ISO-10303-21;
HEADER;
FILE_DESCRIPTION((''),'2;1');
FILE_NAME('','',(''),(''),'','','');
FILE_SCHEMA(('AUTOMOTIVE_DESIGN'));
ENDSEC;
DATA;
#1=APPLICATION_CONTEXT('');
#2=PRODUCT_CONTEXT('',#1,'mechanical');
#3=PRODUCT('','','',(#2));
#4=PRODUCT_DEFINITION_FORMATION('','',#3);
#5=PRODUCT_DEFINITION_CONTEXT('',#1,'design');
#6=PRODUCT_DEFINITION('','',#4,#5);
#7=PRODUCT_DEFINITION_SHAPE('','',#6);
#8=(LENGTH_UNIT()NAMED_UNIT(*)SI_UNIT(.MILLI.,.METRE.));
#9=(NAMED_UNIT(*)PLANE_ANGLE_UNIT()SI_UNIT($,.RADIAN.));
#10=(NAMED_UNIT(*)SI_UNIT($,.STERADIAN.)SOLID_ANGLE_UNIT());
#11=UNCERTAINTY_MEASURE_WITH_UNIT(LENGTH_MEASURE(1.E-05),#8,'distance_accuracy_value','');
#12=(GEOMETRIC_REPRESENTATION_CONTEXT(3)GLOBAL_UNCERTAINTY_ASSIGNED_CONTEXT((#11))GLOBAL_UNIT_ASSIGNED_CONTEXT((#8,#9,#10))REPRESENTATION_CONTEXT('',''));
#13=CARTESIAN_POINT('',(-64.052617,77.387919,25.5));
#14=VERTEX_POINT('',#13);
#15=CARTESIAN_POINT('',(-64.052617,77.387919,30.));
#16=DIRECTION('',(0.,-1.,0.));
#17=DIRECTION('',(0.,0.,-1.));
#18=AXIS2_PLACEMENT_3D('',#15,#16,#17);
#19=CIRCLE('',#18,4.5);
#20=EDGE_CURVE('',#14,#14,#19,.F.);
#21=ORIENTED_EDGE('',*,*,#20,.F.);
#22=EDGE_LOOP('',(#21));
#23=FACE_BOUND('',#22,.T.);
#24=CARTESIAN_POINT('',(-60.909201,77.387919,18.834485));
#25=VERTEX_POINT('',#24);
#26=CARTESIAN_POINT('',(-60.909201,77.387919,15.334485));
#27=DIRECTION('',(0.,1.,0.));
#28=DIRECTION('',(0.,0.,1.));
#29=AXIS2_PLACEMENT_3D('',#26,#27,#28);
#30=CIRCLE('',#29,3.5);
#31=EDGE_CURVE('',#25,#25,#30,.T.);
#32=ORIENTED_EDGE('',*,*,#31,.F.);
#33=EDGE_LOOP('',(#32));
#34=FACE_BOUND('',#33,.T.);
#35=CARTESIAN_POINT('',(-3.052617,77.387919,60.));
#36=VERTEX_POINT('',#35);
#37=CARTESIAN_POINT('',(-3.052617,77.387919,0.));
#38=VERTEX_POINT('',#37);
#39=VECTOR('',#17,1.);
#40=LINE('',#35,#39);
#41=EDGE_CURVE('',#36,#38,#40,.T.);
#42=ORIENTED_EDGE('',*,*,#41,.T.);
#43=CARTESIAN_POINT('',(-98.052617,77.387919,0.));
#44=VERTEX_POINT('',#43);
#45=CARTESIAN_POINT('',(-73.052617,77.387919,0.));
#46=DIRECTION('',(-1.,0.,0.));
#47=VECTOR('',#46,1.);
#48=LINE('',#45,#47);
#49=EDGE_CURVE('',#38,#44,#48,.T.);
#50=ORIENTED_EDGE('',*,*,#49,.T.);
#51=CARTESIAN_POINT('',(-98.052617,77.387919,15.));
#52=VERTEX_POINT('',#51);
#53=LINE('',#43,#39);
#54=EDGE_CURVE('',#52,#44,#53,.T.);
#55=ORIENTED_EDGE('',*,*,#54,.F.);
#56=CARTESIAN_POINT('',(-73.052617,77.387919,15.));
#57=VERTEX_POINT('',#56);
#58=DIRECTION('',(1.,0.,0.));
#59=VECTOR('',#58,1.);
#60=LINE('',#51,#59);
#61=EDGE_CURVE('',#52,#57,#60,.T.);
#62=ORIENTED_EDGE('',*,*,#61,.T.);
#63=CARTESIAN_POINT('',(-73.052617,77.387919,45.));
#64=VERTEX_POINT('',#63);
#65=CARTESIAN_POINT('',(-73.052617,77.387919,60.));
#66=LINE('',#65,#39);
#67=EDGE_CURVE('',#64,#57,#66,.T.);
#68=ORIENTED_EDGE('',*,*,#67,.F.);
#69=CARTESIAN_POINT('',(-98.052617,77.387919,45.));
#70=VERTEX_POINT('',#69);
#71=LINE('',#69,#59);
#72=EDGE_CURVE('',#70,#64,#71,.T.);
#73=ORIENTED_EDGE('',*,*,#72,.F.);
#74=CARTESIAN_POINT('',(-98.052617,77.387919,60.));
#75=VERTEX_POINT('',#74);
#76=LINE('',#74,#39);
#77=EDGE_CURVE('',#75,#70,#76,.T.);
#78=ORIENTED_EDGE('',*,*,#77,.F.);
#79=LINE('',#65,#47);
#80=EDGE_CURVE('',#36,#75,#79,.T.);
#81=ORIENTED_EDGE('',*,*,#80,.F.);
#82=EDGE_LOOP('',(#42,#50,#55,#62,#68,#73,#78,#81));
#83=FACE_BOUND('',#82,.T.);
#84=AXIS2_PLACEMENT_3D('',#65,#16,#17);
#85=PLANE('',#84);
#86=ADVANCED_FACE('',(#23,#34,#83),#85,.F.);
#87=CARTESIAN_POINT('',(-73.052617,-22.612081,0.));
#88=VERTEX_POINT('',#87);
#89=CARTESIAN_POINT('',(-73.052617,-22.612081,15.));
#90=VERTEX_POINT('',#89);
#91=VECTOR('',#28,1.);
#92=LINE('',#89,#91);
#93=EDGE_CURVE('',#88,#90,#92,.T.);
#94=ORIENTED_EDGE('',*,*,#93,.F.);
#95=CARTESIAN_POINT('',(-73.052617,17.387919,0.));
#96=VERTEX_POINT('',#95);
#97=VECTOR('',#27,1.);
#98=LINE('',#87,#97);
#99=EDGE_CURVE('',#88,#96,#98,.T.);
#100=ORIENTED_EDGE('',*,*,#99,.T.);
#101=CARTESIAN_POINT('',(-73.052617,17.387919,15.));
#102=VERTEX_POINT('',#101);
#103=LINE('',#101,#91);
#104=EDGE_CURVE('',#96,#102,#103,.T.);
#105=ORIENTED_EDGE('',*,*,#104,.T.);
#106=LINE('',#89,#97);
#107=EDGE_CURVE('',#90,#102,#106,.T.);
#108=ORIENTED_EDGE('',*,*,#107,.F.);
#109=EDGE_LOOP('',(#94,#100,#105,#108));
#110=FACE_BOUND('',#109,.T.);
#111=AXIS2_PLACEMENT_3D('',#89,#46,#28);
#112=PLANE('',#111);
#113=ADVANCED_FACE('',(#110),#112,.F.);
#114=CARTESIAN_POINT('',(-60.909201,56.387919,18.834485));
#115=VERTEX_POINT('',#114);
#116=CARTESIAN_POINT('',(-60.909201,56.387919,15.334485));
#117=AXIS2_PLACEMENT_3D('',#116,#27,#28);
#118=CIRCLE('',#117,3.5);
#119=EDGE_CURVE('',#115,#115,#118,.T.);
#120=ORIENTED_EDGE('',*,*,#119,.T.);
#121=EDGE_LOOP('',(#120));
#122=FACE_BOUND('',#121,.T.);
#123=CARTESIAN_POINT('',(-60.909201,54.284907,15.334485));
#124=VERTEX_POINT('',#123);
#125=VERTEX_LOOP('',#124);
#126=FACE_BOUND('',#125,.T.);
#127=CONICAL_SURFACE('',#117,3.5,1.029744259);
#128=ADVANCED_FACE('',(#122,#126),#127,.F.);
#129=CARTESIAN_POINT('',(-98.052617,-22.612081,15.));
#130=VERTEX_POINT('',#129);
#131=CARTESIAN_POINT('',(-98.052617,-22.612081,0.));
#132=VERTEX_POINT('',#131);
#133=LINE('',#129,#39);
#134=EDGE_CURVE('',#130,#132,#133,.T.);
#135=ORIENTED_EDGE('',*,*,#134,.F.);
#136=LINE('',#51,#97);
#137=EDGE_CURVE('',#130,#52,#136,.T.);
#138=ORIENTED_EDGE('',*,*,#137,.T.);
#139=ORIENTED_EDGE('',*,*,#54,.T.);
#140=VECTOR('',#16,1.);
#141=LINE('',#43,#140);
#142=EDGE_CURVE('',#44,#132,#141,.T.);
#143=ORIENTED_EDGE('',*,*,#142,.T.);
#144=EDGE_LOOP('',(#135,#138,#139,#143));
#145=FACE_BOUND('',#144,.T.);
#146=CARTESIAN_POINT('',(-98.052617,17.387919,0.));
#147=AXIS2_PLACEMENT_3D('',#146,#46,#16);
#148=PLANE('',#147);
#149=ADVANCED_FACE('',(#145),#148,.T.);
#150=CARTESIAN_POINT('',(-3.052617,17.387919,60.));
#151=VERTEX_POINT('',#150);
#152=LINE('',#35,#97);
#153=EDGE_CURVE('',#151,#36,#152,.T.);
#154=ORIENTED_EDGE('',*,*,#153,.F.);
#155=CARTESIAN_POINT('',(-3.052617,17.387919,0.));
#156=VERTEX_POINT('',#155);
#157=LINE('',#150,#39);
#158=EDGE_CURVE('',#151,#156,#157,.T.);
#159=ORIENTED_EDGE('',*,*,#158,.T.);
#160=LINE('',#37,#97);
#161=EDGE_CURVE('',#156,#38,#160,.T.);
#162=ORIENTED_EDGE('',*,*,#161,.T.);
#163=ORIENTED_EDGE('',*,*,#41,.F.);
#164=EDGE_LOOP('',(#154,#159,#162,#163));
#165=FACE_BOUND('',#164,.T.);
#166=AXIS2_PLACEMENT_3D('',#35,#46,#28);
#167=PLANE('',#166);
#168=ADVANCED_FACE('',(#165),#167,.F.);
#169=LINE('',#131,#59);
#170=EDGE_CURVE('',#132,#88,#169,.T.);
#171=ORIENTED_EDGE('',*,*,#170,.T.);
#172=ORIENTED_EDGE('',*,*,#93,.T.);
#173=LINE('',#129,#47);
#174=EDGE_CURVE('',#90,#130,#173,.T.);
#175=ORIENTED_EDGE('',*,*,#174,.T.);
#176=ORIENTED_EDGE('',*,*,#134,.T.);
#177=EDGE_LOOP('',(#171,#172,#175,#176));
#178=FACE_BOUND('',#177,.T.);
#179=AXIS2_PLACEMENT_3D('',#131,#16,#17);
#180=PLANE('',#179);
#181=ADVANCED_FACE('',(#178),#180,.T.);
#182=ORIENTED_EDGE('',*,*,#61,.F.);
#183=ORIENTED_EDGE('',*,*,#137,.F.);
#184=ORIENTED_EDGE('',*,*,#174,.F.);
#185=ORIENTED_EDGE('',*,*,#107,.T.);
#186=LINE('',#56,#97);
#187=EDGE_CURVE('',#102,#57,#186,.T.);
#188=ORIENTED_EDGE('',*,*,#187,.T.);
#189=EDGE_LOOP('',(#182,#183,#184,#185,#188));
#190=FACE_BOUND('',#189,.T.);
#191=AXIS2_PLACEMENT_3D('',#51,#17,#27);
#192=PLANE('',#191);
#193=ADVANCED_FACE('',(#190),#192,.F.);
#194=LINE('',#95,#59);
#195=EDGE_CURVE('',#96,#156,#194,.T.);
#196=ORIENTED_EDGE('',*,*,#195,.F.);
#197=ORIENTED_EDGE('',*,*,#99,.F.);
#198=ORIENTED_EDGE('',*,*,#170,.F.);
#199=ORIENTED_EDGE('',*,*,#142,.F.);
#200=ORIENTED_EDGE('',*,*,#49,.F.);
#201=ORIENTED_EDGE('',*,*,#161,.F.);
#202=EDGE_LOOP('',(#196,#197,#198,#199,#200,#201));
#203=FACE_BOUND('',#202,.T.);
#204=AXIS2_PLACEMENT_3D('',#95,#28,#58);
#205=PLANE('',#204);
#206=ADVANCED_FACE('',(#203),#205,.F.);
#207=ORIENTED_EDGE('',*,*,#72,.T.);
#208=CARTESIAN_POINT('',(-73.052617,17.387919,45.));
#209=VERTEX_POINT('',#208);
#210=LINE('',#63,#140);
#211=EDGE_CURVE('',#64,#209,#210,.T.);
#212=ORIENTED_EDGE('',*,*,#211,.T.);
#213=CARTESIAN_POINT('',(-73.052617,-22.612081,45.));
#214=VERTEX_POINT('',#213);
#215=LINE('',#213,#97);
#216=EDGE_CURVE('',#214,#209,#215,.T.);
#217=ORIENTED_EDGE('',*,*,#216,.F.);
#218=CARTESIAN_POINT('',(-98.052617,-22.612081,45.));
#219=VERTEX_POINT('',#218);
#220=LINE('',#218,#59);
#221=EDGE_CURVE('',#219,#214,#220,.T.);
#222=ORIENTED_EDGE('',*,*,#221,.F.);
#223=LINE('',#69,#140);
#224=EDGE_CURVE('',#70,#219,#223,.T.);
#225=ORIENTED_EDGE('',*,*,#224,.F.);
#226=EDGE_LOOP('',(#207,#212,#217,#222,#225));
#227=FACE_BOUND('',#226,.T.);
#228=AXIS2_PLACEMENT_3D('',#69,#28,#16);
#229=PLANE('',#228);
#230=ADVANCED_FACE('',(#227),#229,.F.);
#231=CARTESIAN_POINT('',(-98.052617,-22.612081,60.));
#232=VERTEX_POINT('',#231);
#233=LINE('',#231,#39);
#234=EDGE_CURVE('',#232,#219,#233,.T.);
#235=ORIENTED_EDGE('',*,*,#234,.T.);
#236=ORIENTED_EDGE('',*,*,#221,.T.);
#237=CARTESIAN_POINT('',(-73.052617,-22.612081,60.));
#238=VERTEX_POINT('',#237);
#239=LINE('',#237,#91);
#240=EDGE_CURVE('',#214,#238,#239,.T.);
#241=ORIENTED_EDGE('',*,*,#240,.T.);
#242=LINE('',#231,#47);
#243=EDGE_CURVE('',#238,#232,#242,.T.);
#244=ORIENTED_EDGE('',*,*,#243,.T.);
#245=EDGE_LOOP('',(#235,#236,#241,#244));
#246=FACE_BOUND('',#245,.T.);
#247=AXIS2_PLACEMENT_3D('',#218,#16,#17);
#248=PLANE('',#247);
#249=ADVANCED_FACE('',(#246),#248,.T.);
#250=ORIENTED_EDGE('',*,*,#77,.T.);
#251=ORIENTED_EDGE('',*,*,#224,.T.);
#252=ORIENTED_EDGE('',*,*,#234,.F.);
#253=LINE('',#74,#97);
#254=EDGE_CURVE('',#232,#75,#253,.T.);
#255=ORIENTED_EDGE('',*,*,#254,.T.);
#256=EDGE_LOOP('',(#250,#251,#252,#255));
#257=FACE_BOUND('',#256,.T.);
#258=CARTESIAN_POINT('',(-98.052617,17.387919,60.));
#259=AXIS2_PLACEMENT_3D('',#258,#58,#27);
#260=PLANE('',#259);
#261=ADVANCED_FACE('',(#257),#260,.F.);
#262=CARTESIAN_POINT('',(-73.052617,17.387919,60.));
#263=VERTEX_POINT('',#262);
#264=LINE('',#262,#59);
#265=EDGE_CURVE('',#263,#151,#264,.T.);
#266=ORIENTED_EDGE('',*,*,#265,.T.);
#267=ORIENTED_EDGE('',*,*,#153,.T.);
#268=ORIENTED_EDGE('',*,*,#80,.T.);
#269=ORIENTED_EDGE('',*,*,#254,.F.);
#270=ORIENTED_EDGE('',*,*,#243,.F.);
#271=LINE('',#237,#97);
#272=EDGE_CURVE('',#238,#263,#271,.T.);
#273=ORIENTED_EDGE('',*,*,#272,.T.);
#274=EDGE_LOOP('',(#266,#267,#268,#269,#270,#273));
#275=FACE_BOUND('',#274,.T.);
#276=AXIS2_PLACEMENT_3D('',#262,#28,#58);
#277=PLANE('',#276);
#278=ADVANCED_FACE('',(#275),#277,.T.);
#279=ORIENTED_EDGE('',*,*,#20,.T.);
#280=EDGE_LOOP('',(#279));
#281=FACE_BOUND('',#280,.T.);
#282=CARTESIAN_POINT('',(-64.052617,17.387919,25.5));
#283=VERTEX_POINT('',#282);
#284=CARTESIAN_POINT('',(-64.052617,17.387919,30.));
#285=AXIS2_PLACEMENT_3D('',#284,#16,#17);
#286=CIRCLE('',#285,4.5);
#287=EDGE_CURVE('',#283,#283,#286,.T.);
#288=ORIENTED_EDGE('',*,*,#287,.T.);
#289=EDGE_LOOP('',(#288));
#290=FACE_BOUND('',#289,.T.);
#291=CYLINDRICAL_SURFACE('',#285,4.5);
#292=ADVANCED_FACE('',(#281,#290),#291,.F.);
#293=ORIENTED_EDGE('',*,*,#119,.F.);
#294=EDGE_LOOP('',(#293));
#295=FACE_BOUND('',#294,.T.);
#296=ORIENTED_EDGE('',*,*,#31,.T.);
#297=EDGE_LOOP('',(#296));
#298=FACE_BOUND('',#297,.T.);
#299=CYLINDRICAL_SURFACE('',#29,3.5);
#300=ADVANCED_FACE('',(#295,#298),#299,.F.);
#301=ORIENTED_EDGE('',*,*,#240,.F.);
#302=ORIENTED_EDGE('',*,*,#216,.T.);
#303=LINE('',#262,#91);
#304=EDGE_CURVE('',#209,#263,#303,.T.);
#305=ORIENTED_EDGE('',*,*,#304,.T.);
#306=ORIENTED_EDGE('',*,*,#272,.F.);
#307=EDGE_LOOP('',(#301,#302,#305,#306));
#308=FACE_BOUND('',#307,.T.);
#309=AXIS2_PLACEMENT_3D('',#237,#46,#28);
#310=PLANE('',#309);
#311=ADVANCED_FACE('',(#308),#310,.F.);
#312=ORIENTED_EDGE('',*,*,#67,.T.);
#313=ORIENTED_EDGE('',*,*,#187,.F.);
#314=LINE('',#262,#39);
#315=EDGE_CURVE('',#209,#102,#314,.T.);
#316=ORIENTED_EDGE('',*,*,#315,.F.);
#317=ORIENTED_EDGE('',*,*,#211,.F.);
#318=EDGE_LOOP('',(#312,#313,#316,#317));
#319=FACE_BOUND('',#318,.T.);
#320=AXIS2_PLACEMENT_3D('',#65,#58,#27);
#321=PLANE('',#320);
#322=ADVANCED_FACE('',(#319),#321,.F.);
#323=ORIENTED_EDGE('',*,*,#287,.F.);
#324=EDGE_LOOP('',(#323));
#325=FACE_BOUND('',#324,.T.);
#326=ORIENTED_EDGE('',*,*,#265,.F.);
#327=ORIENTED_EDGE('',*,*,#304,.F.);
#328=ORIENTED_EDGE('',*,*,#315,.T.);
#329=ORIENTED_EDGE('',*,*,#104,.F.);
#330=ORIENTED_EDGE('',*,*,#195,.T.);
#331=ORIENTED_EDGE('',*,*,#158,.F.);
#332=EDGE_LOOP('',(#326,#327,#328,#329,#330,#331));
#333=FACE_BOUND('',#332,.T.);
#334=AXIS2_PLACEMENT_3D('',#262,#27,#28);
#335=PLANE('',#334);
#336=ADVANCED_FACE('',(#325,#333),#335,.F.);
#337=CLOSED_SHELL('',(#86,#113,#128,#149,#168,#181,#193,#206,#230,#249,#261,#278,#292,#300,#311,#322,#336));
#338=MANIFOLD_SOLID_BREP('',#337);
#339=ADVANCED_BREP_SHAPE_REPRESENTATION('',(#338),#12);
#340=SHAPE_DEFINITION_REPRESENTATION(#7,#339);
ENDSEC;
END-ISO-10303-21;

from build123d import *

# Parameters (mm, degrees)
ESQUISSE1_W                = 70
ESQUISSE1_H                = 60
BOSS_EXTRU_1_DEPTH         = 60
ESQUISSE2_W                = 15
ESQUISSE2_H                = 60
BOSS_EXTRU_2_DEPTH         = 25
ESQUISSE3_W                = 25
ESQUISSE3_H                = 15
BOSS_EXTRU_3_DEPTH         = 40
TROU_TARAUD_M8X1_01_D      = 7
TROU_TARAUD_M8X1_01_DEPTH  = 21
TROU_TARAUD_M8X1_01_TIP    = 2.103012167
TROU_TARAUD_M10X1_02_D     = 9
TROU_TARAUD_M10X1_02_DEPTH = 25
TROU_TARAUD_M10X1_02_TIP   = 2.703872786
ENL_V_MAT_EXTRU_3_REACH    = 131.67
ESQUISSE4_R                = 4.5


with BuildPart() as part:
    # Esquisse1 → Boss.-Extru.1 (new body)
    with BuildSketch(Plane.XY):
        with Locations((-38.052617229, 47.387919463)):
            Rectangle(ESQUISSE1_W, ESQUISSE1_H)
    extrude(amount=BOSS_EXTRU_1_DEPTH)

    # Esquisse2 → Boss.-Extru.2 (add)
    with BuildSketch(Plane.ZY.offset(73.052617229)):
        with Locations((7.5, 47.387919463)):
            Rectangle(ESQUISSE2_W, ESQUISSE2_H)
        with Locations((52.5, 47.387919463)):
            Rectangle(ESQUISSE2_W, ESQUISSE2_H)
    extrude(amount=BOSS_EXTRU_2_DEPTH)

    # Esquisse3 → Boss.-Extru.3 (add)
    with BuildSketch(Plane.XZ.offset(-17.387919463)):
        with Locations((-85.552617229, 52.5)):
            Rectangle(ESQUISSE3_W, ESQUISSE3_H)
        with Locations((-85.552617229, 7.5)):
            Rectangle(ESQUISSE3_W, ESQUISSE3_H)
    extrude(amount=BOSS_EXTRU_3_DEPTH)

    # Trou taraudé M8x1.01
    with Locations(Plane(origin=(-60.909201033, 77.387919463, 15.33448507), x_dir=(0, 0, 1), z_dir=(0, 1, 0))):
        with Locations((0, 0)):
            Hole(TROU_TARAUD_M8X1_01_D / 2, depth=TROU_TARAUD_M8X1_01_DEPTH)
            with Locations((0, 0, -(TROU_TARAUD_M8X1_01_DEPTH + TROU_TARAUD_M8X1_01_TIP / 2))):  # 118° drill point
                Cone(0, TROU_TARAUD_M8X1_01_D / 2, TROU_TARAUD_M8X1_01_TIP, mode=Mode.SUBTRACT)

    # Trou taraudé M10x1.02
    with Locations(Plane(origin=(-64.052617229, 17.387919463, 30), x_dir=(0, 0, -1), z_dir=(0, -1, 0))):
        with Locations((0, 0)):
            Hole(TROU_TARAUD_M10X1_02_D / 2, depth=TROU_TARAUD_M10X1_02_DEPTH)
            with Locations((0, 0, -(TROU_TARAUD_M10X1_02_DEPTH + TROU_TARAUD_M10X1_02_TIP / 2))):  # 118° drill point
                Cone(0, TROU_TARAUD_M10X1_02_D / 2, TROU_TARAUD_M10X1_02_TIP, mode=Mode.SUBTRACT)

    # Esquisse4 → Enlèv. mat.-Extru.3 (cut, up to next)
    with BuildSketch(Plane.XZ.offset(-17.387919463), mode=Mode.PRIVATE) as enl_v_mat_extru_3_sk1:
        with Locations(Location((-64.052617229, 30, 0), (0, 0, 270))):
            Circle(ESQUISSE4_R)
    enl_v_mat_extru_3_tool1 = extrude(enl_v_mat_extru_3_sk1.sketch, amount=-ENL_V_MAT_EXTRU_3_REACH, mode=Mode.PRIVATE) & part.part
    add(enl_v_mat_extru_3_tool1.solids().sort_by_distance((-64.052617, 17.387919, 30))[0], mode=Mode.SUBTRACT)


solid = part.part
